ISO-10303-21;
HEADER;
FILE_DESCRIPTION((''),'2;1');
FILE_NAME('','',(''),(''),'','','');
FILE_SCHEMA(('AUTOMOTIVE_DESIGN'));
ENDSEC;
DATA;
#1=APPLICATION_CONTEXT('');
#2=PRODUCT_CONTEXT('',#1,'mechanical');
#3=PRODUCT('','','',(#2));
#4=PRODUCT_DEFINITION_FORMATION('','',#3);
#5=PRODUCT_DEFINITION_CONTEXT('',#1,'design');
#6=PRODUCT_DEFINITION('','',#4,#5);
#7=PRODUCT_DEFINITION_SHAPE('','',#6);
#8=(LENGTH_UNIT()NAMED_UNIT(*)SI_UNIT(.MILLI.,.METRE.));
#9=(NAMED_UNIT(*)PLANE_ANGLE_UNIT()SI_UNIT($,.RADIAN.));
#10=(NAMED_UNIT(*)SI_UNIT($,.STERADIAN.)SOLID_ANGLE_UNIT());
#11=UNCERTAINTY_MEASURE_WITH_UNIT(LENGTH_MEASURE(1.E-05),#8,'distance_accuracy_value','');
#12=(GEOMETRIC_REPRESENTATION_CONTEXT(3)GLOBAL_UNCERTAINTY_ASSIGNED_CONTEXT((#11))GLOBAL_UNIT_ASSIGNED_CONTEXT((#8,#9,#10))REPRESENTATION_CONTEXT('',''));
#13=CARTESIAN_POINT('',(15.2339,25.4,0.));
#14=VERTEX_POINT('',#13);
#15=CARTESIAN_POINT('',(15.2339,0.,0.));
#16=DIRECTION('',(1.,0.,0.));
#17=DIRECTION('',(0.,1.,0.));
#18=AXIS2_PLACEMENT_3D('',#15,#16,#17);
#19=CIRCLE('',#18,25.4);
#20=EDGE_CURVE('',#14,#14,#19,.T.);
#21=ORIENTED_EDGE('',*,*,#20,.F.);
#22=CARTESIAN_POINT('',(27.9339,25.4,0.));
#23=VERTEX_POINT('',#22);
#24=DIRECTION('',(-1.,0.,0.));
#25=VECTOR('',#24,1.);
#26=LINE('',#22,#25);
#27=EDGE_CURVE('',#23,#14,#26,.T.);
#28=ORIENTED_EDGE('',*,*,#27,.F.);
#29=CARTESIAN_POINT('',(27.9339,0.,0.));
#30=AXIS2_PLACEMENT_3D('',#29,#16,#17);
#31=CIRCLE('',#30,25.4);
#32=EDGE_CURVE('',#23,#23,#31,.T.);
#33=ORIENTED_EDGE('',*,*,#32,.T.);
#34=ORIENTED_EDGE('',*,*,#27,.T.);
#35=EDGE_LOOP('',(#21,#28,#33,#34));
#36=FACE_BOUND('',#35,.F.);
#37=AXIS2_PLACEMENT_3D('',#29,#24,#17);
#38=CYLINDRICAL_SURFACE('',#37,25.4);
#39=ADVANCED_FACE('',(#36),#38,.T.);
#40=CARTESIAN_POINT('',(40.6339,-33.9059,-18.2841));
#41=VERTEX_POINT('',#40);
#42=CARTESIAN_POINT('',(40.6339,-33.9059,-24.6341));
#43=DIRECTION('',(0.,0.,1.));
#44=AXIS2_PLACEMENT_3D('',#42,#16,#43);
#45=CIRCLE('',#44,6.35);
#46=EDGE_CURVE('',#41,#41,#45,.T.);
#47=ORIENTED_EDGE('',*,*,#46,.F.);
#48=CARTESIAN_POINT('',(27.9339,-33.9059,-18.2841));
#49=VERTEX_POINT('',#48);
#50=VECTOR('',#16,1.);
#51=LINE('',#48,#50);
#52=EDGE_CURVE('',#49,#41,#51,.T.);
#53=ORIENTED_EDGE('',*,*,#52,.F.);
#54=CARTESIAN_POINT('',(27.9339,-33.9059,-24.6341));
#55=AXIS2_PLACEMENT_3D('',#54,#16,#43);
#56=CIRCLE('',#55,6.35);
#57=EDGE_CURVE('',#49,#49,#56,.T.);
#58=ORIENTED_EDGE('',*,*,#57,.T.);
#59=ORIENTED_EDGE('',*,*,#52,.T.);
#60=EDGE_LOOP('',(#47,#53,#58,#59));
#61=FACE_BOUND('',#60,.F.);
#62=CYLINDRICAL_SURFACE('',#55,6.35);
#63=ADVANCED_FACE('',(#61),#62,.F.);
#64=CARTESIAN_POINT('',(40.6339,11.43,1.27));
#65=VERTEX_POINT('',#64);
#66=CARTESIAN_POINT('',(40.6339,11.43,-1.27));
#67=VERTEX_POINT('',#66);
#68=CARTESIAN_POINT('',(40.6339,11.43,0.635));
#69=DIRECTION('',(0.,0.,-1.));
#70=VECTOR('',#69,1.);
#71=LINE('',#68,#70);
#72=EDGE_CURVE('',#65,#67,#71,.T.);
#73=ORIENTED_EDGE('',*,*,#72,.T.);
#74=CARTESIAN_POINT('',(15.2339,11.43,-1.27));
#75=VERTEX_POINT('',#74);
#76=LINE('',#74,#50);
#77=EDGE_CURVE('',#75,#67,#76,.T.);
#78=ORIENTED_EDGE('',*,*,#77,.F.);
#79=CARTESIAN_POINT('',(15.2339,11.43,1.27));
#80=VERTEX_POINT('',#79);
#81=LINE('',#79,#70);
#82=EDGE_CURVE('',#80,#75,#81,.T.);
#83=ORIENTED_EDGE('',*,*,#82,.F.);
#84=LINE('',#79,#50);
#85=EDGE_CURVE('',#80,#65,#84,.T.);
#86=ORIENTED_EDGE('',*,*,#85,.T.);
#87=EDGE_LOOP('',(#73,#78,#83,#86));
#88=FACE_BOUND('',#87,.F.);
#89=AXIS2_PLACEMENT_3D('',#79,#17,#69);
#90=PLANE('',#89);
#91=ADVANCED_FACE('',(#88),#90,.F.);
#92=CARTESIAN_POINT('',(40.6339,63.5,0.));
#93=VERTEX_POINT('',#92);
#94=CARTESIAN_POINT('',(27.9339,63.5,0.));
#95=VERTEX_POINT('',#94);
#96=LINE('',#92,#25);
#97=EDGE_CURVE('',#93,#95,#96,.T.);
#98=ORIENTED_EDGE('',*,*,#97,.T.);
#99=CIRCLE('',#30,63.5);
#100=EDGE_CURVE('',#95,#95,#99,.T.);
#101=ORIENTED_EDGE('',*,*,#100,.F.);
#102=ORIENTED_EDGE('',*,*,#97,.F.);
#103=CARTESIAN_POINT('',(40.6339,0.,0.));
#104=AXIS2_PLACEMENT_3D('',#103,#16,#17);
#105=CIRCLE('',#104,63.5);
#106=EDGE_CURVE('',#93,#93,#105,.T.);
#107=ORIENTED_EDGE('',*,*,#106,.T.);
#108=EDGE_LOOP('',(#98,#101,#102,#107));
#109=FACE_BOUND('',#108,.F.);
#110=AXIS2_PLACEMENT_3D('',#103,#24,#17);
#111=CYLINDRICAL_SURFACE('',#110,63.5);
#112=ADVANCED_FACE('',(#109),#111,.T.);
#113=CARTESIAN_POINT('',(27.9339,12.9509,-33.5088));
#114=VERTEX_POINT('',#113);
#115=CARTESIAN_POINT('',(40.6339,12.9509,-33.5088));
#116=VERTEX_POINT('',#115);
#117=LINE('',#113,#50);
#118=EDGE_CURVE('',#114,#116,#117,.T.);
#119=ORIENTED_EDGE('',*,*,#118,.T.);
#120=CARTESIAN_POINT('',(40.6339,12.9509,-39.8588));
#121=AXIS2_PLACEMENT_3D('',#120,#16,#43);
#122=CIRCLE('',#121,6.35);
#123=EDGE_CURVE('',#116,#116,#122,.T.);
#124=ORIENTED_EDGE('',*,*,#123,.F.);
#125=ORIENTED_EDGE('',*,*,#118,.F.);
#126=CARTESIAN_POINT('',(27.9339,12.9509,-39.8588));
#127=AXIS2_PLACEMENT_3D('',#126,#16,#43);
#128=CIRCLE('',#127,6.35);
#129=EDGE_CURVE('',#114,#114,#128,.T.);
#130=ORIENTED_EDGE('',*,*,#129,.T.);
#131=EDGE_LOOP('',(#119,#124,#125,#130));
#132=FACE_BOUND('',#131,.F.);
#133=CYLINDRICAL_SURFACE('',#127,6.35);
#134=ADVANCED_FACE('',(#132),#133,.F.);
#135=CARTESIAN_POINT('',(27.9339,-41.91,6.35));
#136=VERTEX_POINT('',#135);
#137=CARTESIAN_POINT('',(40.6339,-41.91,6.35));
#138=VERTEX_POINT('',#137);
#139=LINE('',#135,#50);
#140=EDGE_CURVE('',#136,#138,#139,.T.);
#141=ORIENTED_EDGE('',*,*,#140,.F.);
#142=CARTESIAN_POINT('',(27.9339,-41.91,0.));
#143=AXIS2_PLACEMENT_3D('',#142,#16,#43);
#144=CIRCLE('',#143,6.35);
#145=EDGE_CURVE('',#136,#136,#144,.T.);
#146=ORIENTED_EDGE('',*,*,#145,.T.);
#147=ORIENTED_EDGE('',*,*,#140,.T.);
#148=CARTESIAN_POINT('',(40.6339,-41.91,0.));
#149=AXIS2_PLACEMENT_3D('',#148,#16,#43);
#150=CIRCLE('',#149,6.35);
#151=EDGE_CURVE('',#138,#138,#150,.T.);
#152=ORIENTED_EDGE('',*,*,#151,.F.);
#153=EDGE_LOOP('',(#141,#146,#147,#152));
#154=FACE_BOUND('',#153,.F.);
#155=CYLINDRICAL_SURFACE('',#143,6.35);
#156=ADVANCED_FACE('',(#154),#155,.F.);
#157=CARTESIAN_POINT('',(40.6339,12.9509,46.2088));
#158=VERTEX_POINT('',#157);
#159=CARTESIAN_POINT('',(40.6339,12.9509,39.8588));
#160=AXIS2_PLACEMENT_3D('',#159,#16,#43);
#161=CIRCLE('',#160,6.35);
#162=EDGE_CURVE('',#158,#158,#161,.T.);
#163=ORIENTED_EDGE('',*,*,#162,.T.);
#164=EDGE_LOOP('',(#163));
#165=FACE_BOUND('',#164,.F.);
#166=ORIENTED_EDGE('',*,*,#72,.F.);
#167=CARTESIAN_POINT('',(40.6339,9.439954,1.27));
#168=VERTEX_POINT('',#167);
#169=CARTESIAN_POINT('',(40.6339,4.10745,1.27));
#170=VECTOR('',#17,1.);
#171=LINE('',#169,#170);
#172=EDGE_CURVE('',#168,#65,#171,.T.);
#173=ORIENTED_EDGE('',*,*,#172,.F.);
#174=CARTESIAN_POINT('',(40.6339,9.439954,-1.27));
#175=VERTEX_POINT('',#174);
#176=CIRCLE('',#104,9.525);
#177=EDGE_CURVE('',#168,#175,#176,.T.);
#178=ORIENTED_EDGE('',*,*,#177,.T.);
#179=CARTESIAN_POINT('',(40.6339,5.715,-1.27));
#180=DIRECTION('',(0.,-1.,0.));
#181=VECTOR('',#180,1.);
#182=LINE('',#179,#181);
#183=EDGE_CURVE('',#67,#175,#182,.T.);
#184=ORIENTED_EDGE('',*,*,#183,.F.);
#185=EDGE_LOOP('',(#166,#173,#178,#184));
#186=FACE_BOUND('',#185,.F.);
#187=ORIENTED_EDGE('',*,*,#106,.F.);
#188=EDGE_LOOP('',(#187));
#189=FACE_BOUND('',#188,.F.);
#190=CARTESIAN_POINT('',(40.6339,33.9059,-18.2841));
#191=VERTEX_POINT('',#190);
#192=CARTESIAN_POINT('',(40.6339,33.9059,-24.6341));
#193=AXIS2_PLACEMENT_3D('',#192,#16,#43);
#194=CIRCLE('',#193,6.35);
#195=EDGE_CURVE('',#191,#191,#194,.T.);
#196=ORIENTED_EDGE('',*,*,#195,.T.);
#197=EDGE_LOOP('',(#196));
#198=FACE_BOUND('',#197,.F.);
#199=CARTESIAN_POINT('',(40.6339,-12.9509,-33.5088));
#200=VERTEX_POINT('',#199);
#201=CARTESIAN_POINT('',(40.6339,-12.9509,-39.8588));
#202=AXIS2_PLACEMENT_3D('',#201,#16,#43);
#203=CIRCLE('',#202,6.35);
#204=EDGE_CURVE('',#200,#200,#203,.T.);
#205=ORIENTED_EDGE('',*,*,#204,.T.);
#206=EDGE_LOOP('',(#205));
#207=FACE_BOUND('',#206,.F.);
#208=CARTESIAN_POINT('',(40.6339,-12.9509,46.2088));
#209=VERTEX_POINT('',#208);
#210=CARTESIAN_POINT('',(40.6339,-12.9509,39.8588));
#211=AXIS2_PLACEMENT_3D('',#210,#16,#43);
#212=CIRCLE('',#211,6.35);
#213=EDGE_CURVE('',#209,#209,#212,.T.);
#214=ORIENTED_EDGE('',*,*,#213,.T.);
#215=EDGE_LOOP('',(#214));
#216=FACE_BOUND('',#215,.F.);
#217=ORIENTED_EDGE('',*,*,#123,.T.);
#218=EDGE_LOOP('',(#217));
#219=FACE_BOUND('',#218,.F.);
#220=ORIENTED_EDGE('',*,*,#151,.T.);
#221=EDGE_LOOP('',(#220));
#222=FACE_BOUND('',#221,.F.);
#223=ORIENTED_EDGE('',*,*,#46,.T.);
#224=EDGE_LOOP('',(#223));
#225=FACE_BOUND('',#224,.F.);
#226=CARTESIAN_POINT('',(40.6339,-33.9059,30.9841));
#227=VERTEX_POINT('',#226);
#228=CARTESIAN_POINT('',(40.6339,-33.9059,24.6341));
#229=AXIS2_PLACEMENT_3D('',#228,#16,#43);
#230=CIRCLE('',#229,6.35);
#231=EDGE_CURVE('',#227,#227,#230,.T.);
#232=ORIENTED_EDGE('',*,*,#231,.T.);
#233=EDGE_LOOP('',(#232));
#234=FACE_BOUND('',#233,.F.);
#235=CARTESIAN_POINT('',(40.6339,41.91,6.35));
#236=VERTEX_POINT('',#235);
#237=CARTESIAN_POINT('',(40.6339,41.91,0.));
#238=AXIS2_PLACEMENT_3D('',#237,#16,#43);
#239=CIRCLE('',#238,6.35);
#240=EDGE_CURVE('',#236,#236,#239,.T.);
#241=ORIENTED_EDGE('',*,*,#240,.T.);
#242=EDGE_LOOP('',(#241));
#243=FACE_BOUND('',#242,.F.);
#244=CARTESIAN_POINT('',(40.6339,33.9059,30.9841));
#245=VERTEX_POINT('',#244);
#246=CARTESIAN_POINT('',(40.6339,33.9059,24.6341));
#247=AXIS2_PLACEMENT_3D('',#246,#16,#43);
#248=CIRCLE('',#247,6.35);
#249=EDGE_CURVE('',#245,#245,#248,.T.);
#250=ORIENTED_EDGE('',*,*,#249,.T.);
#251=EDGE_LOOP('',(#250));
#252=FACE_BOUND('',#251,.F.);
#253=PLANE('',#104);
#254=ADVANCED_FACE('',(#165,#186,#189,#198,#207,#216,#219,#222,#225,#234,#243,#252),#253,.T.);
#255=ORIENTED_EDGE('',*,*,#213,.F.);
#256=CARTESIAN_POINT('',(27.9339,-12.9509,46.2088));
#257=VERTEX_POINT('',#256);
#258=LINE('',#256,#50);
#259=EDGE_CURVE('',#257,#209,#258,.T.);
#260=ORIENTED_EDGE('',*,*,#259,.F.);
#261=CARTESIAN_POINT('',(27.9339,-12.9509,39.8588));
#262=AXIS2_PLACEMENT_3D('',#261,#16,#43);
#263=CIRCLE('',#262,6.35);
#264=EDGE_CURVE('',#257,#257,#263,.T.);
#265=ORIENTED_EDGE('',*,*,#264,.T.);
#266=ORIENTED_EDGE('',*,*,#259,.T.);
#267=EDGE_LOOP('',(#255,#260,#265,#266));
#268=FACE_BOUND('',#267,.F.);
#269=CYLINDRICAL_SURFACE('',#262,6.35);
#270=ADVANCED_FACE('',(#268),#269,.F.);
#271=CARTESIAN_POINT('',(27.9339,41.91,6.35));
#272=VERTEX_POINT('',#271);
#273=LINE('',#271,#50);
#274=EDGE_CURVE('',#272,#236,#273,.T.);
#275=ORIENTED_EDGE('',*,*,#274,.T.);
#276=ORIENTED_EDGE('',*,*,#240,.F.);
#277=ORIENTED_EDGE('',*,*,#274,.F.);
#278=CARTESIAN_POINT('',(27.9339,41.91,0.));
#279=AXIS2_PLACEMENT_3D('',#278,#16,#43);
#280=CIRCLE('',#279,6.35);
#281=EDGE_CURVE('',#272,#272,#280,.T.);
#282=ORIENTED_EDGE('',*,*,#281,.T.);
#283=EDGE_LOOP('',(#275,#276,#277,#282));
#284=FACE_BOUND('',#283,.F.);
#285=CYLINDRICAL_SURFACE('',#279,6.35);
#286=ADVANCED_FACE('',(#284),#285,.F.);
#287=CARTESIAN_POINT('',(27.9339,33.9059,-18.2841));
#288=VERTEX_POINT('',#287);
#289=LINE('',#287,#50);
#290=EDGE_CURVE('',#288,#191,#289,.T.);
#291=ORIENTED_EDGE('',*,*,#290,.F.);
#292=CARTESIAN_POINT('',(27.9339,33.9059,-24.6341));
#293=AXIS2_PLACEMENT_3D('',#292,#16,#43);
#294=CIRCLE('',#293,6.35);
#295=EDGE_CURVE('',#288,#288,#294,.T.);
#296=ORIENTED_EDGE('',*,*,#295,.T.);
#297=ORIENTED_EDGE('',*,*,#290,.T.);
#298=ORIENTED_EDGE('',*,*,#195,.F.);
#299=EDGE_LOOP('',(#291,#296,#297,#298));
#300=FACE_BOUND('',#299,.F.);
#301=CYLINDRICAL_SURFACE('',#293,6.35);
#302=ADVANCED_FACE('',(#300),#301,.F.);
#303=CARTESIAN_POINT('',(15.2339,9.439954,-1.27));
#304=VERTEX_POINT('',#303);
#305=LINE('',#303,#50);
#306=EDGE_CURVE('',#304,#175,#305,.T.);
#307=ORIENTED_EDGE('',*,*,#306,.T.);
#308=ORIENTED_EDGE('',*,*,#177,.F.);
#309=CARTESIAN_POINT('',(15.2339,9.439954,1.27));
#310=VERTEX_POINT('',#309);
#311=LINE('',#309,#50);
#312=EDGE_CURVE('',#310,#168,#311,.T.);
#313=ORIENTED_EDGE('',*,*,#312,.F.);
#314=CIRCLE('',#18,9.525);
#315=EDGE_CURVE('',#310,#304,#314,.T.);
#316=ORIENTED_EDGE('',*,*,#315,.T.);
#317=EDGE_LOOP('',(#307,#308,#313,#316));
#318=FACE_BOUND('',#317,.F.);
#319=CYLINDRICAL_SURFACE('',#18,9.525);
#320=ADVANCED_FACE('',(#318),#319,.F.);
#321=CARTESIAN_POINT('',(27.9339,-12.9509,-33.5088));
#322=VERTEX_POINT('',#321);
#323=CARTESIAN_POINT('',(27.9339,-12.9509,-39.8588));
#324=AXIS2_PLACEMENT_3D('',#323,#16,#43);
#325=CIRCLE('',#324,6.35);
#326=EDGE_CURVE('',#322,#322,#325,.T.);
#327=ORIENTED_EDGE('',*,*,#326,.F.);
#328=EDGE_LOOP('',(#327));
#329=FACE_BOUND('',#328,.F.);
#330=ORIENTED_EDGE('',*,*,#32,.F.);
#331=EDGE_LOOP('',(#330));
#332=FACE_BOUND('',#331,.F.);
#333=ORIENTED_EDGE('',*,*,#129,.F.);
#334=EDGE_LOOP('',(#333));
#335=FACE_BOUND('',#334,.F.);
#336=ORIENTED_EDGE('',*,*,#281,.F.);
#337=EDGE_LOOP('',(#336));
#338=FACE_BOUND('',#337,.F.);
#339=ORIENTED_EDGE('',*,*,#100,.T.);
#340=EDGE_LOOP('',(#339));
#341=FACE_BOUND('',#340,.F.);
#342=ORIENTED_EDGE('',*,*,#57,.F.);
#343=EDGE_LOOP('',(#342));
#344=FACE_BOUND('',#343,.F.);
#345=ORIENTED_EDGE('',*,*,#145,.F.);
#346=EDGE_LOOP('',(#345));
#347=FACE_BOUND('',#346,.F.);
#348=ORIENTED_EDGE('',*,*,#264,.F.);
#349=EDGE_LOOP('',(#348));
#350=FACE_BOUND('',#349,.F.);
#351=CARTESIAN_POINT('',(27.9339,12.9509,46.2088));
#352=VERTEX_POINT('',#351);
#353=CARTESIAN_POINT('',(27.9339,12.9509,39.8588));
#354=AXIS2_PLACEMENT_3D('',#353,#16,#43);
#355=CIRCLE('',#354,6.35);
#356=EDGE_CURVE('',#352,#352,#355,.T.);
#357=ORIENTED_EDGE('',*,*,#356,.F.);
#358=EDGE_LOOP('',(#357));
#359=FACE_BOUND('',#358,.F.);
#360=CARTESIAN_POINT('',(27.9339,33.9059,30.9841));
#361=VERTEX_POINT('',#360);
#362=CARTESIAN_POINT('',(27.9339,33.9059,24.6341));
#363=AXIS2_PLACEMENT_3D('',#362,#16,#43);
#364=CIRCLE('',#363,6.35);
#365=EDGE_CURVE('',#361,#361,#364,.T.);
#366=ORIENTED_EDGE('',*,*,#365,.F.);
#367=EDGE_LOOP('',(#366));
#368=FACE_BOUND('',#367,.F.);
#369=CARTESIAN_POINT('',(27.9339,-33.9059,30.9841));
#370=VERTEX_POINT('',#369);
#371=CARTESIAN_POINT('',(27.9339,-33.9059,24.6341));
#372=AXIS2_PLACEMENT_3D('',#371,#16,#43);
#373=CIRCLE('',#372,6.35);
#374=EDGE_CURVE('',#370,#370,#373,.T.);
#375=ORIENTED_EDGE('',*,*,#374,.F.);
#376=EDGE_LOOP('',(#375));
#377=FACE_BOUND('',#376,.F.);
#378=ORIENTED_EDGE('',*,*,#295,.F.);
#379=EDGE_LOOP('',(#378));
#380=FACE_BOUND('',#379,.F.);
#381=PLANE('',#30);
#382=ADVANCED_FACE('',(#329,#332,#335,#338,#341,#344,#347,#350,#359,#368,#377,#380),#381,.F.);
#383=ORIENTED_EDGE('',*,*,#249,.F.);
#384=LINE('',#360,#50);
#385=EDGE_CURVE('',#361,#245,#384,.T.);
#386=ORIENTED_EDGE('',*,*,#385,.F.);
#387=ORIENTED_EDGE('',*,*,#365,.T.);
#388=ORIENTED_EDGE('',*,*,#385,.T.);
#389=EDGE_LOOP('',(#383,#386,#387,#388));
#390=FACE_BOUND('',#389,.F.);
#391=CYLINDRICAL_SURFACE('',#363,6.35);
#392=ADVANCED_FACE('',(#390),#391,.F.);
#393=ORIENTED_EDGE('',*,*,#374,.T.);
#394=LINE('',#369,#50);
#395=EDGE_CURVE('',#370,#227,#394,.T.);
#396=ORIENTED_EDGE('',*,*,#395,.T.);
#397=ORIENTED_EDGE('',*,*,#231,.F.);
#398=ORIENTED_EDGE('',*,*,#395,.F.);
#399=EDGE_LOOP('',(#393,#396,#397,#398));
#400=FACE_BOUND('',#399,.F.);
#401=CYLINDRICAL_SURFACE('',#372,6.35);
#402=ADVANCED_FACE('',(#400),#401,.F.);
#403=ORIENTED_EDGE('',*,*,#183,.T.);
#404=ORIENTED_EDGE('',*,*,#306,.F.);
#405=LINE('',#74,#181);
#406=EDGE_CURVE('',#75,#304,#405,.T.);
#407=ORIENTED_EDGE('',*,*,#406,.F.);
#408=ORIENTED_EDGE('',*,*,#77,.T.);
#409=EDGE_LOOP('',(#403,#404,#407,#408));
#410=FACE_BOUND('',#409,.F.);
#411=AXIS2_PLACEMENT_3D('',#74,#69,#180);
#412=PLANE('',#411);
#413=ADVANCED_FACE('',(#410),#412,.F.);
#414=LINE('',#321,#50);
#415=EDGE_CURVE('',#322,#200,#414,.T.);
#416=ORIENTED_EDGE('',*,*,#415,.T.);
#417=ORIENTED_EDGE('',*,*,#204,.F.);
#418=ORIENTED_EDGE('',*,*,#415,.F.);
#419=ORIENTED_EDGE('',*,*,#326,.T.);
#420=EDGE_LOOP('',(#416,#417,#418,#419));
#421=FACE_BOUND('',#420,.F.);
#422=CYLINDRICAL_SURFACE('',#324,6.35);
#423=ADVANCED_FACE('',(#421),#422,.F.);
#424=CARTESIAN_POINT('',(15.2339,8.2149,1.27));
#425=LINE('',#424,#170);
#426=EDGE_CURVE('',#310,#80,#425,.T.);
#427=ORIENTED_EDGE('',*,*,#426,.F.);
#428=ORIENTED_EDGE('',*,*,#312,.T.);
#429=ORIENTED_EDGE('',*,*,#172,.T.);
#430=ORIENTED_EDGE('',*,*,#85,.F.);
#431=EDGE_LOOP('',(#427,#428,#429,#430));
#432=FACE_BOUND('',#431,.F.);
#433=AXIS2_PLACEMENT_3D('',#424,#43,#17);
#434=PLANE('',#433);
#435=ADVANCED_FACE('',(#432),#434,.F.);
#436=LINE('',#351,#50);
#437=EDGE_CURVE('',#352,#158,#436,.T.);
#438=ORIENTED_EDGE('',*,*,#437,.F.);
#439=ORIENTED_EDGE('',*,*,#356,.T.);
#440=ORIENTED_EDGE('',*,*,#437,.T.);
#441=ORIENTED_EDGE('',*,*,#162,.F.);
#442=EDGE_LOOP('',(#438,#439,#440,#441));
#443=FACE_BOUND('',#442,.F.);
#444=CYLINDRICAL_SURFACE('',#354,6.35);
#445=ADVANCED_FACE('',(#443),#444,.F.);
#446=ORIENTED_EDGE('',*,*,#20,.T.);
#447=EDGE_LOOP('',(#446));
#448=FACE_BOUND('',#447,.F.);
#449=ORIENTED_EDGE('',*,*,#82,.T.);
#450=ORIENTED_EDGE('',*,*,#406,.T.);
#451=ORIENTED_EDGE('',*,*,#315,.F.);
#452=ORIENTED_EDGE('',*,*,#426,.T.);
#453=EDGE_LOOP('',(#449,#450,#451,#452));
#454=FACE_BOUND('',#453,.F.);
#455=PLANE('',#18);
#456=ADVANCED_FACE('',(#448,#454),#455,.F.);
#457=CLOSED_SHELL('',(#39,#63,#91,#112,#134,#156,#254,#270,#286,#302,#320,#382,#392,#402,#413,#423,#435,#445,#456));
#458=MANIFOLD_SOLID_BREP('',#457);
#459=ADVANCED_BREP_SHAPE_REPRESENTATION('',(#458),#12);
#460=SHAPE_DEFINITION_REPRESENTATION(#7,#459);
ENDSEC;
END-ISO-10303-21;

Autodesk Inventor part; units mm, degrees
ref_plane "YZ Plane" through (0, 0, 0) normal (1, 0, 0) x (0, 1, 0)
ref_plane "XZ Plane" through (0, 0, 0) normal (0, 1, 0) x (-1, 0, 0)
ref_plane "XY Plane" through (0, 0, 0) normal (0, 0, 1) x (1, 0, 0)
sketch "Sketch1" plane through (0, 0, 0) normal (0, 0, 1) x (1, 0, 0)
  line L0 (0, 0) -> (15.2339, 0)
  line L1 (15.2339, 0) -> (15.2339, 9.525)
  line L2 (15.2339, 9.525) -> (40.6339, 9.525)
  line L3 (40.6339, 9.525) -> (40.6339, 63.5)
  line L4 (40.6339, 63.5) -> (27.9339, 63.5)
  line L5 (27.9339, 63.5) -> (27.9339, 25.4)
  line L6 (27.9339, 25.4) -> (15.2339, 25.4)
  line L7 (15.2339, 25.4) -> (15.2339, 9.525)
  dimension "d0" = 9.525
  dimension "d1" = 12.7
  dimension "d2" = 25.4
  dimension "d3" = 63.5
  dimension "d4" = 25.4
revolve "Revolution1" add sketch "Sketch1" angle 360 about axis through (0, 0, 0) along (1, 0, 0)
sketch "Sketch2" plane through (15.2339, 0, 0) normal (-1, 0, 0) x (0, 0, 1)
  line L0 (-1.27, 8.2149) -> (1.27, 8.2149)
  line L1 (1.27, 8.2149) -> (1.27, 11.43)
  line L2 (1.27, 11.43) -> (-1.27, 11.43)
  line L3 (-1.27, 11.43) -> (-1.27, 8.2149)
  line L4 (-1.27, 8.2149) -> (1.27, 11.43) construction
  line L5 (1.27, 8.2149) -> (-1.27, 11.43) construction
  point P0 (0, 0)
  point P1 (0, 9.8225)
  dimension "d6" = 11.43
  dimension "d7" = 1.27
  dimension "d8" = 1.27
extrude "Extrusion1" cut sketch "Sketch2" against normal through all
sketch "Sketch3" plane through (27.9339, 0, 0) normal (-1, 0, 0) x (0, 0, 1)
  point P0 (0, 0)
  point P1 (0, 41.91)
  point P2 (-24.6341, 33.9059)
  point P3 (-39.8588, 12.9509)
  point P4 (-39.8588, -12.9509)
  point P5 (-24.6341, -33.9059)
  point P6 (0, -41.91)
  point P7 (24.6341, -33.9059)
  point P8 (39.8588, -12.9509)
  point P9 (39.8588, 12.9509)
  point P10 (24.6341, 33.9059)
  dimension "d11" = 41.91
  dimension "d12" = 0
  dimension "d15" = 360
hole "Hole1" at (27.9339, 41.91, 0) at (27.9339, 33.9059, -24.6341) at (27.9339, 12.9509, -39.8588) at (27.9339, -12.9509, -39.8588) at (27.9339, -33.9059, -24.6341) at (27.9339, -41.91, 0) at (27.9339, -33.9059, 24.6341) at (27.9339, -12.9509, 39.8588) at (27.9339, 12.9509, 39.8588) at (27.9339, 33.9059, 24.6341) direction (1, 0, 0) diameter 12.7 end through all clearance for "Hex Head Bolt" size "1/2" standard "Ansi Unified Screw Threads"
properties part number "Circular Pattern"
